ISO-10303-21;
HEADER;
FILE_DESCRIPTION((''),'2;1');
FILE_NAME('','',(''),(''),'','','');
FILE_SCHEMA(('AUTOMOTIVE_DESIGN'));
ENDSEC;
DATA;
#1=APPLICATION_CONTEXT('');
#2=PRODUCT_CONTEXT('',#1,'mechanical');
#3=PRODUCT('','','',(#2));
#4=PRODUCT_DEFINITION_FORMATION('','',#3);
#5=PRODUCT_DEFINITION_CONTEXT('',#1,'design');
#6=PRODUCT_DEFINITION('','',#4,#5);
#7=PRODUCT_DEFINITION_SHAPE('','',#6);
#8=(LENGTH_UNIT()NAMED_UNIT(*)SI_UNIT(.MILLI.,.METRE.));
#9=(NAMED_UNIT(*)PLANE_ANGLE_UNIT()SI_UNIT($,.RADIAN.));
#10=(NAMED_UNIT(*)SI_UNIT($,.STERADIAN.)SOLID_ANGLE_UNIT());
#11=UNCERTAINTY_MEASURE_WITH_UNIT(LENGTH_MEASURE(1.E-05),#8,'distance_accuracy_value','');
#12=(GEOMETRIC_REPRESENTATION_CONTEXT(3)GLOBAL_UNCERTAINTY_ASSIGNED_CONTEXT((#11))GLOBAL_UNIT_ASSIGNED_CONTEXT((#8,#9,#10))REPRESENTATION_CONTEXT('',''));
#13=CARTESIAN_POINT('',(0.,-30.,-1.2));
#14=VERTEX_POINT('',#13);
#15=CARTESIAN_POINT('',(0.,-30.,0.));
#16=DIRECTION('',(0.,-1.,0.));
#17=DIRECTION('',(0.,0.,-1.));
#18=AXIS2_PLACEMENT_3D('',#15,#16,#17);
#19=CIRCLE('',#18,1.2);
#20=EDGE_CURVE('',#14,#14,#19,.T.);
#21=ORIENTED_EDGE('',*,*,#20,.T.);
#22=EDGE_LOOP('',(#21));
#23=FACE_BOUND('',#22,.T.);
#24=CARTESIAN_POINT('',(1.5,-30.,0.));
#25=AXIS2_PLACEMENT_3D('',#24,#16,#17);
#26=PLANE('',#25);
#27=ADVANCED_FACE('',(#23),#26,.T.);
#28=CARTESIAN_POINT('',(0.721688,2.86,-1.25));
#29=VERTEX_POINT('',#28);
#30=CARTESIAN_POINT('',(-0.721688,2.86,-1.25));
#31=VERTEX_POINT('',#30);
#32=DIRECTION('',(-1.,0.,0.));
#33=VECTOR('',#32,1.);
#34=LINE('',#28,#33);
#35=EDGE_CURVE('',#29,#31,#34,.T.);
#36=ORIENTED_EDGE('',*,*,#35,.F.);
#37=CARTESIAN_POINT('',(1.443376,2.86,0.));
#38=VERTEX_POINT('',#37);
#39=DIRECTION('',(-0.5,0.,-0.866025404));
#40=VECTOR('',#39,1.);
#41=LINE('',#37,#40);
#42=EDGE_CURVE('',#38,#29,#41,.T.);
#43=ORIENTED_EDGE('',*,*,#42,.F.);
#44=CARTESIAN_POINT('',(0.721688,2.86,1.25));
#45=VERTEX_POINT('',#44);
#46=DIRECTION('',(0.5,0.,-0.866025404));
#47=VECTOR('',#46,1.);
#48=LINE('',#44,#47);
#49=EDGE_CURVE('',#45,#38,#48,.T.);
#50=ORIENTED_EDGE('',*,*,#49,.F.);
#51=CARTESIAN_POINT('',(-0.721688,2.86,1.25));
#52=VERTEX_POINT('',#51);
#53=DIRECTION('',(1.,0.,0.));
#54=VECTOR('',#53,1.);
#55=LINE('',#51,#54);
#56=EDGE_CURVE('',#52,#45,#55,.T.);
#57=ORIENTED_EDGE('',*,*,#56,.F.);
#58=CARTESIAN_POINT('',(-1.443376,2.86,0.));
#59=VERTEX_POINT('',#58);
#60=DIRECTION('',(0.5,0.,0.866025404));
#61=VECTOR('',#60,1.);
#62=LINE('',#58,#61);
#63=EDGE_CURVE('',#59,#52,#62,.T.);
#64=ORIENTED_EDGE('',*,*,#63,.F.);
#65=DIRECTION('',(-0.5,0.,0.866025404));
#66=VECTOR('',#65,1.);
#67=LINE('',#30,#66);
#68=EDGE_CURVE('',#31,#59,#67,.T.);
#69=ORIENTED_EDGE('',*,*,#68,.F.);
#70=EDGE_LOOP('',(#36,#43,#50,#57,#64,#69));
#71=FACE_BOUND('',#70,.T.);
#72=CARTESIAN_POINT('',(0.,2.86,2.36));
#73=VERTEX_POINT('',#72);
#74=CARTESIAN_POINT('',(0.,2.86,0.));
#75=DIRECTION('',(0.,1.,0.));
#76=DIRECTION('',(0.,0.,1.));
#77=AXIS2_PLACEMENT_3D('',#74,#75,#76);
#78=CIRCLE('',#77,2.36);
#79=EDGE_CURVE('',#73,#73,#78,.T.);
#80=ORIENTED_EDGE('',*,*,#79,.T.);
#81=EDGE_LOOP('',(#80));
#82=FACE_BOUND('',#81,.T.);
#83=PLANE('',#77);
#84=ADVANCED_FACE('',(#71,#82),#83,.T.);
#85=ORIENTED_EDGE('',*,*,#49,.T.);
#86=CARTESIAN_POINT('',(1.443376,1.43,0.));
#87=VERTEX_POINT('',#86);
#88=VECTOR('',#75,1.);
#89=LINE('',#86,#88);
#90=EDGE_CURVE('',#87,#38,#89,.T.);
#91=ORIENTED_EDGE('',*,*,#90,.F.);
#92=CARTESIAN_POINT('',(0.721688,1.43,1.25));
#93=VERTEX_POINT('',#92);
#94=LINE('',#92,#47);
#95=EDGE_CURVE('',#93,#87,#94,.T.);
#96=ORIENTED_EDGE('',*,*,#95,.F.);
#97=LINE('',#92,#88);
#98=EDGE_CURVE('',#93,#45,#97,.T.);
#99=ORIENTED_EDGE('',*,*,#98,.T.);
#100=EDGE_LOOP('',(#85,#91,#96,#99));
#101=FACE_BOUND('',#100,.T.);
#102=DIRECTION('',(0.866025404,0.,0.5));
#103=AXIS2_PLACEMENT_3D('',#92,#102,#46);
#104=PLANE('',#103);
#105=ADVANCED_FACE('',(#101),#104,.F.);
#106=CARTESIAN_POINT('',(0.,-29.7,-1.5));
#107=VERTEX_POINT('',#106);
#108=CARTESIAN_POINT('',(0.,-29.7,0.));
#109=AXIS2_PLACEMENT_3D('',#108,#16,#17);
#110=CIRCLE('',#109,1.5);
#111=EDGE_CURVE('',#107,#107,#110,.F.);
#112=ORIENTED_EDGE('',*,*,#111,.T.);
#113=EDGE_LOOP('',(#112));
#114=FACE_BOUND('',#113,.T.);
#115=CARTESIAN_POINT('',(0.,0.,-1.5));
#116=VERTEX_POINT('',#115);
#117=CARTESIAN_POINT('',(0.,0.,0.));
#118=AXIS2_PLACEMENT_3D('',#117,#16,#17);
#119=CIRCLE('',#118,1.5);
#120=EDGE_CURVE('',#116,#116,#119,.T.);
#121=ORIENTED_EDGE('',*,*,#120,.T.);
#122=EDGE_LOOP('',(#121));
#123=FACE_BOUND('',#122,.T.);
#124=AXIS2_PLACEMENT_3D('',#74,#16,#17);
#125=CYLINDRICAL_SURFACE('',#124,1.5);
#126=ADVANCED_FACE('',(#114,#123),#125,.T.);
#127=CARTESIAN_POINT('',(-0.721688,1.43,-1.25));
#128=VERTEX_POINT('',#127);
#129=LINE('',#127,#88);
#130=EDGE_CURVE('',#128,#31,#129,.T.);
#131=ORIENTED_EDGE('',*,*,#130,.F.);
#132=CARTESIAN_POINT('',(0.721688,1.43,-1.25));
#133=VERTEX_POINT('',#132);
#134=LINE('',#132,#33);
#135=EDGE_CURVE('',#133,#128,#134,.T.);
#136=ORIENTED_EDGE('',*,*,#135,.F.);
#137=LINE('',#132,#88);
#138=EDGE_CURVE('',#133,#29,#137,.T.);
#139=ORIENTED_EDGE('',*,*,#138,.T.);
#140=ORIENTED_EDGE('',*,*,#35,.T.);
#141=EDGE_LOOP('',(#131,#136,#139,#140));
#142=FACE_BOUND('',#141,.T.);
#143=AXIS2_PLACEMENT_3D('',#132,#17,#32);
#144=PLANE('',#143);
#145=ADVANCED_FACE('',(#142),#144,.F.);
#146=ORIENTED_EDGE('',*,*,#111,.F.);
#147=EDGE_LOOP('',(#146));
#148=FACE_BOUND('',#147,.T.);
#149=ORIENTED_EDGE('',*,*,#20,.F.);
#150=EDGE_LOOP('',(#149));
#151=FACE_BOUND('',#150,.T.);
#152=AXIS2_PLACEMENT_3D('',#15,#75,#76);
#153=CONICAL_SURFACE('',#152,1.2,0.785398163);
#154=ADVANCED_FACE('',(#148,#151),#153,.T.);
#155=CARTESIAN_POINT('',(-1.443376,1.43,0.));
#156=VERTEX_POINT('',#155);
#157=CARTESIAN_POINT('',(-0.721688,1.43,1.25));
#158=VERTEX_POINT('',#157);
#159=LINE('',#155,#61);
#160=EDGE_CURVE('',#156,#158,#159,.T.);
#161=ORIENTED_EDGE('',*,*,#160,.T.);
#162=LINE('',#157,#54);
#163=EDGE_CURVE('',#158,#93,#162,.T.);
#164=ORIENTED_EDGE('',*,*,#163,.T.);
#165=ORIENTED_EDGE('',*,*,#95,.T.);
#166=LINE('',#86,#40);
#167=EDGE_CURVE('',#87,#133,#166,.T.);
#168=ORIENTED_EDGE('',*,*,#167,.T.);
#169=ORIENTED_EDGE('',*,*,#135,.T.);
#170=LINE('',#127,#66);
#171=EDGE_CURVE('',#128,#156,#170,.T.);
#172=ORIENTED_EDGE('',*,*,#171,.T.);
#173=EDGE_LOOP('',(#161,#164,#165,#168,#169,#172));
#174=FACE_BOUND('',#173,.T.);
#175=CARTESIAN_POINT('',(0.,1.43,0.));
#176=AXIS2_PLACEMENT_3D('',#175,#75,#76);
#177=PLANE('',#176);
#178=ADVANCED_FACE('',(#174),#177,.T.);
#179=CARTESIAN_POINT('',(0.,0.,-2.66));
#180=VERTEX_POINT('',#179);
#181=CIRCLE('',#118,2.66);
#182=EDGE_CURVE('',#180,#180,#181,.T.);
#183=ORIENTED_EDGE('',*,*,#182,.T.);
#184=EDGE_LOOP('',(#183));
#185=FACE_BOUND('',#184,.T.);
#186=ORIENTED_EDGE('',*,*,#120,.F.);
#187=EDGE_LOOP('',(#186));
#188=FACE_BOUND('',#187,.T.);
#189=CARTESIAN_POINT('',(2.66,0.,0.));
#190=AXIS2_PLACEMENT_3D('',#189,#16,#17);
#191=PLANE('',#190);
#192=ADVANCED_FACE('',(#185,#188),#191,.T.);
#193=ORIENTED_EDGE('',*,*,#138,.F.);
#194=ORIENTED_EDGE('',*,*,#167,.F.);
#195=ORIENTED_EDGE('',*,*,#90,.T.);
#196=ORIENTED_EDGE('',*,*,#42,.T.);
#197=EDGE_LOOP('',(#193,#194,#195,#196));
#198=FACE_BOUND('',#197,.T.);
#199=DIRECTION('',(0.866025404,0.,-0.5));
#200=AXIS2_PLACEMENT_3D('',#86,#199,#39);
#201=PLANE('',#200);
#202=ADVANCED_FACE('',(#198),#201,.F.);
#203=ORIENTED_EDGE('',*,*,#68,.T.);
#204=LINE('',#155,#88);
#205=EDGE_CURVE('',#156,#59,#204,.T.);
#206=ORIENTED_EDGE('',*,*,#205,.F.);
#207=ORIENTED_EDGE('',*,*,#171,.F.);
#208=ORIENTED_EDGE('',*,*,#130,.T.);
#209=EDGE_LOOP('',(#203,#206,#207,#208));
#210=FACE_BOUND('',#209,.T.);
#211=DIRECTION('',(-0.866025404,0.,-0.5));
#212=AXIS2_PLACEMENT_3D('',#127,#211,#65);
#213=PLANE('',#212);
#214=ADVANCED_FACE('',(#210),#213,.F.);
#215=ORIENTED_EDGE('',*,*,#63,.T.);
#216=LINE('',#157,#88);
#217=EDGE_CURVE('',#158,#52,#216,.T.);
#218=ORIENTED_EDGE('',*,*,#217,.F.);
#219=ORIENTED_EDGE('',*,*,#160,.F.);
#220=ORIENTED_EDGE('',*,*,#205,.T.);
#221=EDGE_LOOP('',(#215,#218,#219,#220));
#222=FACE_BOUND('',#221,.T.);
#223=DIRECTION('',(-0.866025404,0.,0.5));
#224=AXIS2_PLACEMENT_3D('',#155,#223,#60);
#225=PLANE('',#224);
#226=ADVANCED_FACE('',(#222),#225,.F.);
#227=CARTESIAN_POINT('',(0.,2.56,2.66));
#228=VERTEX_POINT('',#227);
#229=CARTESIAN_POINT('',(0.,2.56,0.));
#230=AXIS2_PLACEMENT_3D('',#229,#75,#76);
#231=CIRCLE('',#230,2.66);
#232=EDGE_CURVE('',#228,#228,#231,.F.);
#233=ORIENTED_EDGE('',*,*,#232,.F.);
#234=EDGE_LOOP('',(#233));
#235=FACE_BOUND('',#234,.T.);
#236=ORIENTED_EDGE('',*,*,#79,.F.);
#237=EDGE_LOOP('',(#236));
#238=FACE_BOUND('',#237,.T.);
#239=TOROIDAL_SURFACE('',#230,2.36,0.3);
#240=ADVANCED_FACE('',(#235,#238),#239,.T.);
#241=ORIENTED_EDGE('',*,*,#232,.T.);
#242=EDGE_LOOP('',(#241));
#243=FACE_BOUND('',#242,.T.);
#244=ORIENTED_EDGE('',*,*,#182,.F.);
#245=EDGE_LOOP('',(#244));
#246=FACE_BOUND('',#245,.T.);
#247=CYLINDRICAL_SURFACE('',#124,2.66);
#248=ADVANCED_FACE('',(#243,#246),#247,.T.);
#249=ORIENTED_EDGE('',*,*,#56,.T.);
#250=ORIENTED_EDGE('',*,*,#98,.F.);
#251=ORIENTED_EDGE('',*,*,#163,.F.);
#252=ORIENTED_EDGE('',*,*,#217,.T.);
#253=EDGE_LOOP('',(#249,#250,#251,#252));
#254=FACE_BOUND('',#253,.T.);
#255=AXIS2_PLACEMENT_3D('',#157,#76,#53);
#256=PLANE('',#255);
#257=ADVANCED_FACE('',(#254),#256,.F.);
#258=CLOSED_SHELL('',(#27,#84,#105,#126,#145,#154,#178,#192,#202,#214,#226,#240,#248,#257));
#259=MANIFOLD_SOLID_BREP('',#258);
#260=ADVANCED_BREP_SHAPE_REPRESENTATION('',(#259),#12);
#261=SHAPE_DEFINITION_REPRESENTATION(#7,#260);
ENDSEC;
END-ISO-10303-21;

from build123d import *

# Parameters (mm, degrees)
CHAMFER1_SIZE      = 0.3
FILLET1_R          = 0.3
CUT_EXTRUDE1_DEPTH = 1.43


with BuildPart() as part:
    # Sketch1 → Revolve1 (revolve)
    with BuildSketch(Plane.XY, mode=Mode.PRIVATE) as revolve1_sk:
        Polygon((0, 0), (0, 2.86), (2.66, 2.86), (2.66, 0), (1.5, 0), (1.5, -30), (0, -30), align=None)
    revolve(revolve1_sk.sketch.rotate(Axis((0, 2.86, 0), (0, 1, 0)), 90), axis=Axis((0, 2.86, 0), (0, 1, 0)))

    # Chamfer1
    chamfer1_edges = [part.edges().sort_by_distance(p)[0] for p in [
        (0, -30, 1.5),
    ]]
    chamfer(chamfer1_edges, length=CHAMFER1_SIZE)

    # Fillet1
    fillet1_edges = [part.edges().sort_by_distance(p)[0] for p in [
        (0, 2.86, 2.66),
    ]]
    fillet(fillet1_edges, radius=FILLET1_R)

    # Sketch2 → Cut-Extrude1 (cut)
    with BuildSketch(Plane(origin=(0, 2.86, 0), x_dir=(1, 0, 0), z_dir=(0, 1, 0))):
        Polygon((0.721687836, -1.25), (1.443375673, 0), (0.721687836, 1.25), (-0.721687836, 1.25), (-1.443375673, 0), (-0.721687836, -1.25), align=None)
    extrude(amount=-CUT_EXTRUDE1_DEPTH, mode=Mode.SUBTRACT)


solid = part.part
